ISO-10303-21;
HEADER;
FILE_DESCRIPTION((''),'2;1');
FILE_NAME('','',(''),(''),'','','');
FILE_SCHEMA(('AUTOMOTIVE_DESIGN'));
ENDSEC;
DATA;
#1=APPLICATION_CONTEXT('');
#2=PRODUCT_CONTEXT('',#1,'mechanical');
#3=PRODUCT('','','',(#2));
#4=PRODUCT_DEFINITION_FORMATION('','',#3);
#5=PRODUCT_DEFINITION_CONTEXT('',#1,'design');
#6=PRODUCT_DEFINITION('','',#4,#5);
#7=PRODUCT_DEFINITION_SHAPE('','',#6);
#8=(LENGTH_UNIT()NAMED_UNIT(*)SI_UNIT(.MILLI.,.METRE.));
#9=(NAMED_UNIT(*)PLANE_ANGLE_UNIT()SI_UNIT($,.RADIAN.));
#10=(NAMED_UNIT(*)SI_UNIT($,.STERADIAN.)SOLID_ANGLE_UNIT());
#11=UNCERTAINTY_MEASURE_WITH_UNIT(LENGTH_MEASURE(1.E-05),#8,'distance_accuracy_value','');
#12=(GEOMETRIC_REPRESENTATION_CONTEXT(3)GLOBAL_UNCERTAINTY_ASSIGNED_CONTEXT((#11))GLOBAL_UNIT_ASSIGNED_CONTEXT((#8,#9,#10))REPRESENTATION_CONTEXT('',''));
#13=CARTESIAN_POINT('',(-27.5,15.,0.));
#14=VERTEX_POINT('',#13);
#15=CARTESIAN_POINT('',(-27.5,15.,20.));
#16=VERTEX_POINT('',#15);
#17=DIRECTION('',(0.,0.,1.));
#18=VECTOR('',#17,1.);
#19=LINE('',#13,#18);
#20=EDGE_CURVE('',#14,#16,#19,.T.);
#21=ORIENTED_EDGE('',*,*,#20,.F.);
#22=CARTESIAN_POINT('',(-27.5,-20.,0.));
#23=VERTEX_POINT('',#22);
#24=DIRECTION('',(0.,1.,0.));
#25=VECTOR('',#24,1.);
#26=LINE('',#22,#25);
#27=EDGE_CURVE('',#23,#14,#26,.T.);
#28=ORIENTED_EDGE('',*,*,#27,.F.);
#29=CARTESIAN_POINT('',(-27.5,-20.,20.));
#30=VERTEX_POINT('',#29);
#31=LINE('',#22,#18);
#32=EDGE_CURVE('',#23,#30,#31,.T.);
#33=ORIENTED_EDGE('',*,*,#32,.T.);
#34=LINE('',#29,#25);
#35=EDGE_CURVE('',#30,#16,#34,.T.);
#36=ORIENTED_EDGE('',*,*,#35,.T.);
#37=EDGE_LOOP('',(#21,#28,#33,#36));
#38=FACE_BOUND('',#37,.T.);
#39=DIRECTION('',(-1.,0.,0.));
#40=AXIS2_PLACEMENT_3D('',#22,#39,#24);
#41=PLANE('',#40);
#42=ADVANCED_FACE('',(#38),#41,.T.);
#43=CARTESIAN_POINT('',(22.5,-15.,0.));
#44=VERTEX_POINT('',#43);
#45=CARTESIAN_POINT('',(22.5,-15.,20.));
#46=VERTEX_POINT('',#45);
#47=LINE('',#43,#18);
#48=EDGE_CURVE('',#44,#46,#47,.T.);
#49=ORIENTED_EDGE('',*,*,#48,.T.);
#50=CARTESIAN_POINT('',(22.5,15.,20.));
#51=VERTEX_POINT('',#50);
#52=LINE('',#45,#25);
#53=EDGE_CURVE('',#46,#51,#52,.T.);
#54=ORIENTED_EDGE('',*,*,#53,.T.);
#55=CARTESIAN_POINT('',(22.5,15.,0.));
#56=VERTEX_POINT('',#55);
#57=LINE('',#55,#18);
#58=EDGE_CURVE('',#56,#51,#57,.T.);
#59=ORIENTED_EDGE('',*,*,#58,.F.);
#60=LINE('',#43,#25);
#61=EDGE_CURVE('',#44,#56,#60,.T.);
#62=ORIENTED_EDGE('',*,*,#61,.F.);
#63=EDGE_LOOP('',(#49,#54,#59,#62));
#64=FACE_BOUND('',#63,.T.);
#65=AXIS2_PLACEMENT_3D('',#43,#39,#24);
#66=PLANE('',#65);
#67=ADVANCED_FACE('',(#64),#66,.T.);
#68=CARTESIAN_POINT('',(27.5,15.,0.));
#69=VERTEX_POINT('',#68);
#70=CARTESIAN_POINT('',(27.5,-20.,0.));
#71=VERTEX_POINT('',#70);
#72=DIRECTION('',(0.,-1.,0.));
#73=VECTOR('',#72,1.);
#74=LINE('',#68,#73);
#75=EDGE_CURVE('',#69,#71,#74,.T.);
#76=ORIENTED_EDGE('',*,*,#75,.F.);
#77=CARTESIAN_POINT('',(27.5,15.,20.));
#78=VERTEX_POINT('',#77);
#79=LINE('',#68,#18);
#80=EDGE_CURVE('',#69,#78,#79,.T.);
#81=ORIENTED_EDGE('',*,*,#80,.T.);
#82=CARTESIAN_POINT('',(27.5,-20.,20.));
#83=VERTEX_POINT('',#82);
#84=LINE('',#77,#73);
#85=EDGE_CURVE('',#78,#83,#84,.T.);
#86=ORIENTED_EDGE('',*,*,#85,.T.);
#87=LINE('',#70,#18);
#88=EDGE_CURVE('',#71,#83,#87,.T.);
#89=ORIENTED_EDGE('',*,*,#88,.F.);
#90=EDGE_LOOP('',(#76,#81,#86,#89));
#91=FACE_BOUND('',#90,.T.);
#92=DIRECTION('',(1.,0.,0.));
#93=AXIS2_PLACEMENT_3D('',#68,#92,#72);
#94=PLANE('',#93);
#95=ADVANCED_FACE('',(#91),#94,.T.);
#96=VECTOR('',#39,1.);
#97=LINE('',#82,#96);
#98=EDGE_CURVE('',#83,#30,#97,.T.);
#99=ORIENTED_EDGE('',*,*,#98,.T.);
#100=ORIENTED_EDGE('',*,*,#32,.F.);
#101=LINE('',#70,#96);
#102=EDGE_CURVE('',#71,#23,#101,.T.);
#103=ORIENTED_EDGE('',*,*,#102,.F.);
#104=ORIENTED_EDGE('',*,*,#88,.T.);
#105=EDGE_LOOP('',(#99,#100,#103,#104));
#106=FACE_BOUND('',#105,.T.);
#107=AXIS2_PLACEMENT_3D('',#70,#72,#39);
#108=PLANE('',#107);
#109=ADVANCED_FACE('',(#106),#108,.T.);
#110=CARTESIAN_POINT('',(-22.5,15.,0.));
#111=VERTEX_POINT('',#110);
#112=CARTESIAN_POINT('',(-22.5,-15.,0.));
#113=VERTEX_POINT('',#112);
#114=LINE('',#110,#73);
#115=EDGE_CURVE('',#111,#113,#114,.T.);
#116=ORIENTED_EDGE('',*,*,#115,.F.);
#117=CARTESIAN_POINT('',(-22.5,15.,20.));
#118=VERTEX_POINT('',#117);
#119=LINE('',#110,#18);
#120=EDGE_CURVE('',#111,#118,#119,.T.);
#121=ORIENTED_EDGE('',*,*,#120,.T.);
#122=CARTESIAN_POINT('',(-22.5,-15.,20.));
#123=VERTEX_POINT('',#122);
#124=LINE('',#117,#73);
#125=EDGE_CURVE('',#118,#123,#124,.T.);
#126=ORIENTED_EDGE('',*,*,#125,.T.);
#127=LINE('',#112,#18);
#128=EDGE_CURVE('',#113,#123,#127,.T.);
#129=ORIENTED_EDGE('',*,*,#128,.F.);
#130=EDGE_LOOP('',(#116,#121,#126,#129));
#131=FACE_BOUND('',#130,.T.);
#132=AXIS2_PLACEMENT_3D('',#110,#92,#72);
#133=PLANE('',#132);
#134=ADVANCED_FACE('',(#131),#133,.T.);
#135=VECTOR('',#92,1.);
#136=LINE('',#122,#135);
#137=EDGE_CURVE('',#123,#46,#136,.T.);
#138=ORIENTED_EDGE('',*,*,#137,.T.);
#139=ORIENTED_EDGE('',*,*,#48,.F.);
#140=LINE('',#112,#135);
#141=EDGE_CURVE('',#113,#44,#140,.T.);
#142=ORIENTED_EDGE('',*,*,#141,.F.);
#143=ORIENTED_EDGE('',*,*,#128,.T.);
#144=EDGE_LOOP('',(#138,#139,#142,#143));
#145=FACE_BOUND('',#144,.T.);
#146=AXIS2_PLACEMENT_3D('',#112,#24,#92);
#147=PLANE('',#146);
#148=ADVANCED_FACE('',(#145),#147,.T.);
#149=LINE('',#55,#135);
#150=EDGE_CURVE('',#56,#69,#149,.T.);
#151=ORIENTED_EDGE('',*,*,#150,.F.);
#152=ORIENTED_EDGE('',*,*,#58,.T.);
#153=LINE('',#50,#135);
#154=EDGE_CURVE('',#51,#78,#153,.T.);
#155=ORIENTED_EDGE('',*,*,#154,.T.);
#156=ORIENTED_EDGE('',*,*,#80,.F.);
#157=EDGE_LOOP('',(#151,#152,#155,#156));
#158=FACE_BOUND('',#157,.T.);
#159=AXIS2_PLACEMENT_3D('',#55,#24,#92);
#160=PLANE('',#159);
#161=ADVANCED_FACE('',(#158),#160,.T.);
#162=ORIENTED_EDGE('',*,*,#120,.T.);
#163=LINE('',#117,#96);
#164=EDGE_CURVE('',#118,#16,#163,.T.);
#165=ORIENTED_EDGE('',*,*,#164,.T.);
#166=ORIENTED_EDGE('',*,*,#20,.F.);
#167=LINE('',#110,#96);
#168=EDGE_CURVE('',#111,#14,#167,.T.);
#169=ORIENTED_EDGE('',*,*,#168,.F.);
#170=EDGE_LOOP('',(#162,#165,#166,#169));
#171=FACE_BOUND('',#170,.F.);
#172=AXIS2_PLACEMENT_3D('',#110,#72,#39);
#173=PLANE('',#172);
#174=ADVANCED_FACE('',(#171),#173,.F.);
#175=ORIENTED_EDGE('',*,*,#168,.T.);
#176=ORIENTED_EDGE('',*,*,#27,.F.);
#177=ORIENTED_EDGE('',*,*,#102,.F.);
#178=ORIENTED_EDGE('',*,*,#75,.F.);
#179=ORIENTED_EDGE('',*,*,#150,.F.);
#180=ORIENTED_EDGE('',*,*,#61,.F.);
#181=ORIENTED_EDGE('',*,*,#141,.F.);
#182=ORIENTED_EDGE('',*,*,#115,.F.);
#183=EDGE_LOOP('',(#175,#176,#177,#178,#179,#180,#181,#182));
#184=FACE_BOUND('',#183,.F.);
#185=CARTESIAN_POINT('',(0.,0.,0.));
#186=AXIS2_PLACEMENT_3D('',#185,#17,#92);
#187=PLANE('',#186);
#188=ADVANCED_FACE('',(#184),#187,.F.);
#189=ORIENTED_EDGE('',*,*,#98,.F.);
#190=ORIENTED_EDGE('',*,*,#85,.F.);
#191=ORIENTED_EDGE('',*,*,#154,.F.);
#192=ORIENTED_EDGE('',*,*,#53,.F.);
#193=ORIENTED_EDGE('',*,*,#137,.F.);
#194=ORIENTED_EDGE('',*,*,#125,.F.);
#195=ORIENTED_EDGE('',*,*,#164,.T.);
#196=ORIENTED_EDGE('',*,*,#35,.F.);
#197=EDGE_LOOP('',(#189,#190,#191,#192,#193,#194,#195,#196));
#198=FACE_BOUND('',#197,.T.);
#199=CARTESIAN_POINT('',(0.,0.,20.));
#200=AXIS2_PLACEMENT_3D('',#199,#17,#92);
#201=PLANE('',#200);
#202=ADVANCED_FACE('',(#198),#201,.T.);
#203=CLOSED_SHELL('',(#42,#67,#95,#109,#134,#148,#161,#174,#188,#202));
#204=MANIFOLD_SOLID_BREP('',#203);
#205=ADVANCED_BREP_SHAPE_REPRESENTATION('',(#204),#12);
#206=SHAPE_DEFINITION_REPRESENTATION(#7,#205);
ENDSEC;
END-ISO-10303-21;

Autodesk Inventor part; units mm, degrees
ref_plane "YZ Plane" through (0, 0, 0) normal (1, 0, 0) x (0, 1, 0)
ref_plane "XZ Plane" through (0, 0, 0) normal (0, 1, 0) x (-1, 0, 0)
ref_plane "XY Plane" through (0, 0, 0) normal (0, 0, 1) x (1, 0, 0)
sketch "Sketch1" plane through (0, 0, 0) normal (0, 0, 1) x (1, 0, 0)
  line L0 (22.5, 15) -> (-22.5, 15) construction
  line L1 (-22.5, 15) -> (-22.5, -15)
  line L2 (-22.5, -15) -> (22.5, -15)
  line L3 (22.5, -15) -> (22.5, 15)
  line L4 (22.5, 15) -> (-22.5, -15) construction
  line L5 (-22.5, 15) -> (22.5, -15) construction
  line L6 (-27.5, -20) -> (-27.5, 15)
  line L7 (-27.5, 20) -> (27.5, 20) construction
  line L8 (27.5, 20) -> (27.5, 15) construction
  line L9 (27.5, -20) -> (-27.5, -20)
  line L10 (-22.5, 15) -> (-27.5, 15)
  line L11 (22.5, 15) -> (27.5, 15)
  line L12 (-27.5, 15) -> (-27.5, 20) construction
  line L13 (27.5, 15) -> (27.5, -20)
  point P0 (0, 0)
  dimension "d0" = 45
  dimension "d1" = 30
  dimension "d2" = 5
  dimension "d3" = 5
  dimension "d4" = 5
  dimension "d5" = 40
extrude "Extrusion1" add sketch "Sketch1" along normal blind 20
properties part number "track z2043"
